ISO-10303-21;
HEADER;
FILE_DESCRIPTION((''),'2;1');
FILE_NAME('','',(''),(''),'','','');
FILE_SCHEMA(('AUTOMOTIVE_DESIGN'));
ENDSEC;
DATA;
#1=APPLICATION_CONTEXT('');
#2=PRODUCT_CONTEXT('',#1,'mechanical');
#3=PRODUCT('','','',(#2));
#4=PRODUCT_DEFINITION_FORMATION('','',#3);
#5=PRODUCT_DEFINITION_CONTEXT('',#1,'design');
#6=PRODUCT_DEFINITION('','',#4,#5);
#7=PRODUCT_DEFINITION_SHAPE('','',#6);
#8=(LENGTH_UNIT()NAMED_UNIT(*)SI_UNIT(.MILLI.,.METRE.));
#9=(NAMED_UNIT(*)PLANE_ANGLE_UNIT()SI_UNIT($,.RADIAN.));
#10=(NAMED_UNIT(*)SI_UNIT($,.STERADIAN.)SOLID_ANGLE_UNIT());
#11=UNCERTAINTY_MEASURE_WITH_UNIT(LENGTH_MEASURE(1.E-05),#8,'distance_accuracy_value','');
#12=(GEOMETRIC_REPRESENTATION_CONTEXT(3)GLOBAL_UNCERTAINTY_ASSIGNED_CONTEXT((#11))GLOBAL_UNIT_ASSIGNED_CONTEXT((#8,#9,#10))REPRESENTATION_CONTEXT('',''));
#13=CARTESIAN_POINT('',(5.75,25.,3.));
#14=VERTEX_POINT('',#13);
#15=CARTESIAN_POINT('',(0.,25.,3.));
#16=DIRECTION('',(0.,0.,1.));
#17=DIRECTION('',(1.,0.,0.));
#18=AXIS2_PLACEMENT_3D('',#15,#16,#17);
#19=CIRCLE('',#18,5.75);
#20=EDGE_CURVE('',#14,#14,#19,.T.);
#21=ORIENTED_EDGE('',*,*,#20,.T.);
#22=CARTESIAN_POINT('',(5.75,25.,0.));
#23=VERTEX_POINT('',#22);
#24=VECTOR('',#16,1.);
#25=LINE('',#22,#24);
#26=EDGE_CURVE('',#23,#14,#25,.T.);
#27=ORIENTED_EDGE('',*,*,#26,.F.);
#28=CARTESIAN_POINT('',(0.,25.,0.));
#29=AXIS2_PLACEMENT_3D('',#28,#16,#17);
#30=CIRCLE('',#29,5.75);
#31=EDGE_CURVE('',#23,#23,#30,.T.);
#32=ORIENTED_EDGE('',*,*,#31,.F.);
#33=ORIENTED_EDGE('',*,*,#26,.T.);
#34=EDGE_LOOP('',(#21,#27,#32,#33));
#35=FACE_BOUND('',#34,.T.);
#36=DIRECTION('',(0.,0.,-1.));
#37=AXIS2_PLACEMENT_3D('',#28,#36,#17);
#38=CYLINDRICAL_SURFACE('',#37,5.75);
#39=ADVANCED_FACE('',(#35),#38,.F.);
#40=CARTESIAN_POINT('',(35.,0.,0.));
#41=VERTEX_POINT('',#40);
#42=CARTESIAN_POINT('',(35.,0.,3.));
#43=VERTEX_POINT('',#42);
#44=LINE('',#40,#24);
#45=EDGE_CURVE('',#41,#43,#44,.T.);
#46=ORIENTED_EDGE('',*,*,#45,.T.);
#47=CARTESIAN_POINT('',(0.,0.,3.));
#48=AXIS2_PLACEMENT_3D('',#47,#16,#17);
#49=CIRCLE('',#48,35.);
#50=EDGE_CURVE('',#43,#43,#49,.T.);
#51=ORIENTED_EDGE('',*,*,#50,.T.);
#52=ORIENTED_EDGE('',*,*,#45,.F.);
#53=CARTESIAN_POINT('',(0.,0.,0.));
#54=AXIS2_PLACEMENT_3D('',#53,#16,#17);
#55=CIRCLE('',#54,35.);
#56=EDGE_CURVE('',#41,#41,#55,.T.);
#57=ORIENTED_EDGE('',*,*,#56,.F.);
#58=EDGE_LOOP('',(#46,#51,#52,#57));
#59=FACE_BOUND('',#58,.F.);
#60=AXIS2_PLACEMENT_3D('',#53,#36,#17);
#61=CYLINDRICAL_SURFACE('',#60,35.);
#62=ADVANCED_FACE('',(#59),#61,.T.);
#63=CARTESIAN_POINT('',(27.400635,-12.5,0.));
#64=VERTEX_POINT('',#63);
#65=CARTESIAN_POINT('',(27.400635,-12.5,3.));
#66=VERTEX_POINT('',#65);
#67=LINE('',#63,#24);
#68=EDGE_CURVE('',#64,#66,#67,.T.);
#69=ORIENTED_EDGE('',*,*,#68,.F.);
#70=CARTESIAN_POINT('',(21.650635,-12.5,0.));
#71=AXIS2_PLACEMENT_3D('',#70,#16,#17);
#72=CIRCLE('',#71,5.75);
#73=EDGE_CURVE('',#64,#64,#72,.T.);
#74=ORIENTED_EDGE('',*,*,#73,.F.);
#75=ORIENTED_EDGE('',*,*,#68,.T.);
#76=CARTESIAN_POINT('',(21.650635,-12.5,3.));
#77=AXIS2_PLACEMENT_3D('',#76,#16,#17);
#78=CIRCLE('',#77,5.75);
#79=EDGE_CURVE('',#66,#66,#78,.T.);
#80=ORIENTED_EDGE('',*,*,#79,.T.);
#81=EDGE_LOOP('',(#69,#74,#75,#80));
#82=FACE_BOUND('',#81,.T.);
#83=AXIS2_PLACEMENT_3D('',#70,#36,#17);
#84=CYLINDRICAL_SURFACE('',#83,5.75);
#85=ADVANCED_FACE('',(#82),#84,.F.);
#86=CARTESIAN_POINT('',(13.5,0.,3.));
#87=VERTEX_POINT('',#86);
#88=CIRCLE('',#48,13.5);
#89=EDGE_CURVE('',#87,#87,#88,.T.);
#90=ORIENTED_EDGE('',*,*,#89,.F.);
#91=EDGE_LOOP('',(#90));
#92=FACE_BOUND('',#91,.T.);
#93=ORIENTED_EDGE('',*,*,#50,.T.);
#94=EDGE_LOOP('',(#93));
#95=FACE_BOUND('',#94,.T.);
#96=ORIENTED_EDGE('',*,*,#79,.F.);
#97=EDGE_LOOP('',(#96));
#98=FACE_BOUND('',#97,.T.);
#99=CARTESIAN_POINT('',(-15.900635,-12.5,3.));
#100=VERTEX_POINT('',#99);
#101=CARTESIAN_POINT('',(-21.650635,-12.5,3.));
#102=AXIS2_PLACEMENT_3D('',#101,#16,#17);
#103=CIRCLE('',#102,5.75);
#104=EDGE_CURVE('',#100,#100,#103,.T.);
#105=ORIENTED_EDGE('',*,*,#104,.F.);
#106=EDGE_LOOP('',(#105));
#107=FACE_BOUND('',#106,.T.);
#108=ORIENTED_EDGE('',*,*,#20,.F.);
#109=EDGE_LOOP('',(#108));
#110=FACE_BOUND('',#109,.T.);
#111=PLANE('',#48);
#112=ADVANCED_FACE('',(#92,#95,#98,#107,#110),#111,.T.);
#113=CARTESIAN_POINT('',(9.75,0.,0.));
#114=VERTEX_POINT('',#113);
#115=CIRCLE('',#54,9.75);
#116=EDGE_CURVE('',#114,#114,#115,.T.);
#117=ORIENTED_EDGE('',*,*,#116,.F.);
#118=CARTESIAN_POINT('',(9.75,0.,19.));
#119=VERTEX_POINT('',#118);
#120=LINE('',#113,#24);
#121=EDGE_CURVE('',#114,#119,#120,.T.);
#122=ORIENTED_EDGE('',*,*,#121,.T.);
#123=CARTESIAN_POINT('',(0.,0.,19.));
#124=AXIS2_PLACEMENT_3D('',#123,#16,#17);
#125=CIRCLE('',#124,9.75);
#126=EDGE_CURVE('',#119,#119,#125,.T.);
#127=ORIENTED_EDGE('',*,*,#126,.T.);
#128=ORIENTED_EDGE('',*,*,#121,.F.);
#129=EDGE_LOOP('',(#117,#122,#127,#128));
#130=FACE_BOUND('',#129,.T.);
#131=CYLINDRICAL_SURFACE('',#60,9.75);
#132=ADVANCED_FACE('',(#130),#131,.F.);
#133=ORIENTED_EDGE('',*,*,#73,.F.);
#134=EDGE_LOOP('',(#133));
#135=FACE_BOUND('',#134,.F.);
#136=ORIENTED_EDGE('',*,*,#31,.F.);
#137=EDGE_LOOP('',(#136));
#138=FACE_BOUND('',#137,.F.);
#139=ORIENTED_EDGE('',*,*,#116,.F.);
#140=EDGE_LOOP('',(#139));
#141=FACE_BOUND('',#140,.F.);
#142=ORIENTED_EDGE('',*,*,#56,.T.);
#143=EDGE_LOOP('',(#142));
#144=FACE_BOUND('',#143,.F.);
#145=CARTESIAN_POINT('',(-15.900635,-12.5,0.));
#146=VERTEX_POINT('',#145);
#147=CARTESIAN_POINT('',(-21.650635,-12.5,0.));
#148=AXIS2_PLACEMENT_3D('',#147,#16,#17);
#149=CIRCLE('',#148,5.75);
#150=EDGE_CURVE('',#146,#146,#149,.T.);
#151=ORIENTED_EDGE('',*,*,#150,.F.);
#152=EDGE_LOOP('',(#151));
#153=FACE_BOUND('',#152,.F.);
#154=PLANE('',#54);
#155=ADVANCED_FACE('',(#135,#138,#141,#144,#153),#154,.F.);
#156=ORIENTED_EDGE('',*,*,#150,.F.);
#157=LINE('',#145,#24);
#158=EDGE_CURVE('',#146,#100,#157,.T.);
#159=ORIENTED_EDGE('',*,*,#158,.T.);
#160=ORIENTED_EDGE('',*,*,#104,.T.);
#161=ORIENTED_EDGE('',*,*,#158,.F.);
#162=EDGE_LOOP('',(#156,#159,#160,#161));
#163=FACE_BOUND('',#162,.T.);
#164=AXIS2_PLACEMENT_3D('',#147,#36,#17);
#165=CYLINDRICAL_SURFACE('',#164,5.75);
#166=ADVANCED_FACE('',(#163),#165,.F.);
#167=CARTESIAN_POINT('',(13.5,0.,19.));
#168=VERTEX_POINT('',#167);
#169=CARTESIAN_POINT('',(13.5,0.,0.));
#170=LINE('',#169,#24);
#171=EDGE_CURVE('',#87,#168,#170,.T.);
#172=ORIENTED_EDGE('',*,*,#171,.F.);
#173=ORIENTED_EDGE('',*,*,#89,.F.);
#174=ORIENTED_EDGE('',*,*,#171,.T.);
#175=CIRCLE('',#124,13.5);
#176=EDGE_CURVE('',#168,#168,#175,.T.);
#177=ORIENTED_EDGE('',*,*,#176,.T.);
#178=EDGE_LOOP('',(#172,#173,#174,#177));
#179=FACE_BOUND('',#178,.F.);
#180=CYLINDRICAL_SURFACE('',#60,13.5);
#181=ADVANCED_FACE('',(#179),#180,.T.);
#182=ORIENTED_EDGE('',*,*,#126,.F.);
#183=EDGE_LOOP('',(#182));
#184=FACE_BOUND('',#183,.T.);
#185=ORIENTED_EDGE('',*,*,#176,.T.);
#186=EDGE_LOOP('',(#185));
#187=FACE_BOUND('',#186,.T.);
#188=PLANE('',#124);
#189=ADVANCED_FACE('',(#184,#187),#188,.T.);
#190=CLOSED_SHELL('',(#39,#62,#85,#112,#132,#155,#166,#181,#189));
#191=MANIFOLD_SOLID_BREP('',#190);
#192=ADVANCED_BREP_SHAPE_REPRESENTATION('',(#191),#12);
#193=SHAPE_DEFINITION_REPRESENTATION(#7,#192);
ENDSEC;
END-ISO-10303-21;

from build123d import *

# Parameters (mm, degrees)
F0_R     = 35
F0_R_2   = 5.75
F0_R_3   = 13.5
F1_DEPTH = 3
F0_R_4   = 9.75
F2_DEPTH = 19


with BuildPart() as f1:
    # F0 (on Top) → F1 (new body)
    with BuildSketch(Plane.XY):
        Circle(F0_R)
        with Locations((-21.650635, -12.5)):
            Circle(F0_R_2, mode=Mode.SUBTRACT)
        with Locations((21.650635, -12.5)):
            Circle(F0_R_2, mode=Mode.SUBTRACT)
        Circle(F0_R_3, mode=Mode.SUBTRACT)
        with Locations((0, 25)):
            Circle(F0_R_2, mode=Mode.SUBTRACT)
    extrude(amount=F1_DEPTH)

    # F0 (on Top) → F2 (join)
    with BuildSketch(Plane.XY):
        Circle(F0_R_3)
        Circle(F0_R_4, mode=Mode.SUBTRACT)
    extrude(amount=F2_DEPTH)


solid = f1.part
